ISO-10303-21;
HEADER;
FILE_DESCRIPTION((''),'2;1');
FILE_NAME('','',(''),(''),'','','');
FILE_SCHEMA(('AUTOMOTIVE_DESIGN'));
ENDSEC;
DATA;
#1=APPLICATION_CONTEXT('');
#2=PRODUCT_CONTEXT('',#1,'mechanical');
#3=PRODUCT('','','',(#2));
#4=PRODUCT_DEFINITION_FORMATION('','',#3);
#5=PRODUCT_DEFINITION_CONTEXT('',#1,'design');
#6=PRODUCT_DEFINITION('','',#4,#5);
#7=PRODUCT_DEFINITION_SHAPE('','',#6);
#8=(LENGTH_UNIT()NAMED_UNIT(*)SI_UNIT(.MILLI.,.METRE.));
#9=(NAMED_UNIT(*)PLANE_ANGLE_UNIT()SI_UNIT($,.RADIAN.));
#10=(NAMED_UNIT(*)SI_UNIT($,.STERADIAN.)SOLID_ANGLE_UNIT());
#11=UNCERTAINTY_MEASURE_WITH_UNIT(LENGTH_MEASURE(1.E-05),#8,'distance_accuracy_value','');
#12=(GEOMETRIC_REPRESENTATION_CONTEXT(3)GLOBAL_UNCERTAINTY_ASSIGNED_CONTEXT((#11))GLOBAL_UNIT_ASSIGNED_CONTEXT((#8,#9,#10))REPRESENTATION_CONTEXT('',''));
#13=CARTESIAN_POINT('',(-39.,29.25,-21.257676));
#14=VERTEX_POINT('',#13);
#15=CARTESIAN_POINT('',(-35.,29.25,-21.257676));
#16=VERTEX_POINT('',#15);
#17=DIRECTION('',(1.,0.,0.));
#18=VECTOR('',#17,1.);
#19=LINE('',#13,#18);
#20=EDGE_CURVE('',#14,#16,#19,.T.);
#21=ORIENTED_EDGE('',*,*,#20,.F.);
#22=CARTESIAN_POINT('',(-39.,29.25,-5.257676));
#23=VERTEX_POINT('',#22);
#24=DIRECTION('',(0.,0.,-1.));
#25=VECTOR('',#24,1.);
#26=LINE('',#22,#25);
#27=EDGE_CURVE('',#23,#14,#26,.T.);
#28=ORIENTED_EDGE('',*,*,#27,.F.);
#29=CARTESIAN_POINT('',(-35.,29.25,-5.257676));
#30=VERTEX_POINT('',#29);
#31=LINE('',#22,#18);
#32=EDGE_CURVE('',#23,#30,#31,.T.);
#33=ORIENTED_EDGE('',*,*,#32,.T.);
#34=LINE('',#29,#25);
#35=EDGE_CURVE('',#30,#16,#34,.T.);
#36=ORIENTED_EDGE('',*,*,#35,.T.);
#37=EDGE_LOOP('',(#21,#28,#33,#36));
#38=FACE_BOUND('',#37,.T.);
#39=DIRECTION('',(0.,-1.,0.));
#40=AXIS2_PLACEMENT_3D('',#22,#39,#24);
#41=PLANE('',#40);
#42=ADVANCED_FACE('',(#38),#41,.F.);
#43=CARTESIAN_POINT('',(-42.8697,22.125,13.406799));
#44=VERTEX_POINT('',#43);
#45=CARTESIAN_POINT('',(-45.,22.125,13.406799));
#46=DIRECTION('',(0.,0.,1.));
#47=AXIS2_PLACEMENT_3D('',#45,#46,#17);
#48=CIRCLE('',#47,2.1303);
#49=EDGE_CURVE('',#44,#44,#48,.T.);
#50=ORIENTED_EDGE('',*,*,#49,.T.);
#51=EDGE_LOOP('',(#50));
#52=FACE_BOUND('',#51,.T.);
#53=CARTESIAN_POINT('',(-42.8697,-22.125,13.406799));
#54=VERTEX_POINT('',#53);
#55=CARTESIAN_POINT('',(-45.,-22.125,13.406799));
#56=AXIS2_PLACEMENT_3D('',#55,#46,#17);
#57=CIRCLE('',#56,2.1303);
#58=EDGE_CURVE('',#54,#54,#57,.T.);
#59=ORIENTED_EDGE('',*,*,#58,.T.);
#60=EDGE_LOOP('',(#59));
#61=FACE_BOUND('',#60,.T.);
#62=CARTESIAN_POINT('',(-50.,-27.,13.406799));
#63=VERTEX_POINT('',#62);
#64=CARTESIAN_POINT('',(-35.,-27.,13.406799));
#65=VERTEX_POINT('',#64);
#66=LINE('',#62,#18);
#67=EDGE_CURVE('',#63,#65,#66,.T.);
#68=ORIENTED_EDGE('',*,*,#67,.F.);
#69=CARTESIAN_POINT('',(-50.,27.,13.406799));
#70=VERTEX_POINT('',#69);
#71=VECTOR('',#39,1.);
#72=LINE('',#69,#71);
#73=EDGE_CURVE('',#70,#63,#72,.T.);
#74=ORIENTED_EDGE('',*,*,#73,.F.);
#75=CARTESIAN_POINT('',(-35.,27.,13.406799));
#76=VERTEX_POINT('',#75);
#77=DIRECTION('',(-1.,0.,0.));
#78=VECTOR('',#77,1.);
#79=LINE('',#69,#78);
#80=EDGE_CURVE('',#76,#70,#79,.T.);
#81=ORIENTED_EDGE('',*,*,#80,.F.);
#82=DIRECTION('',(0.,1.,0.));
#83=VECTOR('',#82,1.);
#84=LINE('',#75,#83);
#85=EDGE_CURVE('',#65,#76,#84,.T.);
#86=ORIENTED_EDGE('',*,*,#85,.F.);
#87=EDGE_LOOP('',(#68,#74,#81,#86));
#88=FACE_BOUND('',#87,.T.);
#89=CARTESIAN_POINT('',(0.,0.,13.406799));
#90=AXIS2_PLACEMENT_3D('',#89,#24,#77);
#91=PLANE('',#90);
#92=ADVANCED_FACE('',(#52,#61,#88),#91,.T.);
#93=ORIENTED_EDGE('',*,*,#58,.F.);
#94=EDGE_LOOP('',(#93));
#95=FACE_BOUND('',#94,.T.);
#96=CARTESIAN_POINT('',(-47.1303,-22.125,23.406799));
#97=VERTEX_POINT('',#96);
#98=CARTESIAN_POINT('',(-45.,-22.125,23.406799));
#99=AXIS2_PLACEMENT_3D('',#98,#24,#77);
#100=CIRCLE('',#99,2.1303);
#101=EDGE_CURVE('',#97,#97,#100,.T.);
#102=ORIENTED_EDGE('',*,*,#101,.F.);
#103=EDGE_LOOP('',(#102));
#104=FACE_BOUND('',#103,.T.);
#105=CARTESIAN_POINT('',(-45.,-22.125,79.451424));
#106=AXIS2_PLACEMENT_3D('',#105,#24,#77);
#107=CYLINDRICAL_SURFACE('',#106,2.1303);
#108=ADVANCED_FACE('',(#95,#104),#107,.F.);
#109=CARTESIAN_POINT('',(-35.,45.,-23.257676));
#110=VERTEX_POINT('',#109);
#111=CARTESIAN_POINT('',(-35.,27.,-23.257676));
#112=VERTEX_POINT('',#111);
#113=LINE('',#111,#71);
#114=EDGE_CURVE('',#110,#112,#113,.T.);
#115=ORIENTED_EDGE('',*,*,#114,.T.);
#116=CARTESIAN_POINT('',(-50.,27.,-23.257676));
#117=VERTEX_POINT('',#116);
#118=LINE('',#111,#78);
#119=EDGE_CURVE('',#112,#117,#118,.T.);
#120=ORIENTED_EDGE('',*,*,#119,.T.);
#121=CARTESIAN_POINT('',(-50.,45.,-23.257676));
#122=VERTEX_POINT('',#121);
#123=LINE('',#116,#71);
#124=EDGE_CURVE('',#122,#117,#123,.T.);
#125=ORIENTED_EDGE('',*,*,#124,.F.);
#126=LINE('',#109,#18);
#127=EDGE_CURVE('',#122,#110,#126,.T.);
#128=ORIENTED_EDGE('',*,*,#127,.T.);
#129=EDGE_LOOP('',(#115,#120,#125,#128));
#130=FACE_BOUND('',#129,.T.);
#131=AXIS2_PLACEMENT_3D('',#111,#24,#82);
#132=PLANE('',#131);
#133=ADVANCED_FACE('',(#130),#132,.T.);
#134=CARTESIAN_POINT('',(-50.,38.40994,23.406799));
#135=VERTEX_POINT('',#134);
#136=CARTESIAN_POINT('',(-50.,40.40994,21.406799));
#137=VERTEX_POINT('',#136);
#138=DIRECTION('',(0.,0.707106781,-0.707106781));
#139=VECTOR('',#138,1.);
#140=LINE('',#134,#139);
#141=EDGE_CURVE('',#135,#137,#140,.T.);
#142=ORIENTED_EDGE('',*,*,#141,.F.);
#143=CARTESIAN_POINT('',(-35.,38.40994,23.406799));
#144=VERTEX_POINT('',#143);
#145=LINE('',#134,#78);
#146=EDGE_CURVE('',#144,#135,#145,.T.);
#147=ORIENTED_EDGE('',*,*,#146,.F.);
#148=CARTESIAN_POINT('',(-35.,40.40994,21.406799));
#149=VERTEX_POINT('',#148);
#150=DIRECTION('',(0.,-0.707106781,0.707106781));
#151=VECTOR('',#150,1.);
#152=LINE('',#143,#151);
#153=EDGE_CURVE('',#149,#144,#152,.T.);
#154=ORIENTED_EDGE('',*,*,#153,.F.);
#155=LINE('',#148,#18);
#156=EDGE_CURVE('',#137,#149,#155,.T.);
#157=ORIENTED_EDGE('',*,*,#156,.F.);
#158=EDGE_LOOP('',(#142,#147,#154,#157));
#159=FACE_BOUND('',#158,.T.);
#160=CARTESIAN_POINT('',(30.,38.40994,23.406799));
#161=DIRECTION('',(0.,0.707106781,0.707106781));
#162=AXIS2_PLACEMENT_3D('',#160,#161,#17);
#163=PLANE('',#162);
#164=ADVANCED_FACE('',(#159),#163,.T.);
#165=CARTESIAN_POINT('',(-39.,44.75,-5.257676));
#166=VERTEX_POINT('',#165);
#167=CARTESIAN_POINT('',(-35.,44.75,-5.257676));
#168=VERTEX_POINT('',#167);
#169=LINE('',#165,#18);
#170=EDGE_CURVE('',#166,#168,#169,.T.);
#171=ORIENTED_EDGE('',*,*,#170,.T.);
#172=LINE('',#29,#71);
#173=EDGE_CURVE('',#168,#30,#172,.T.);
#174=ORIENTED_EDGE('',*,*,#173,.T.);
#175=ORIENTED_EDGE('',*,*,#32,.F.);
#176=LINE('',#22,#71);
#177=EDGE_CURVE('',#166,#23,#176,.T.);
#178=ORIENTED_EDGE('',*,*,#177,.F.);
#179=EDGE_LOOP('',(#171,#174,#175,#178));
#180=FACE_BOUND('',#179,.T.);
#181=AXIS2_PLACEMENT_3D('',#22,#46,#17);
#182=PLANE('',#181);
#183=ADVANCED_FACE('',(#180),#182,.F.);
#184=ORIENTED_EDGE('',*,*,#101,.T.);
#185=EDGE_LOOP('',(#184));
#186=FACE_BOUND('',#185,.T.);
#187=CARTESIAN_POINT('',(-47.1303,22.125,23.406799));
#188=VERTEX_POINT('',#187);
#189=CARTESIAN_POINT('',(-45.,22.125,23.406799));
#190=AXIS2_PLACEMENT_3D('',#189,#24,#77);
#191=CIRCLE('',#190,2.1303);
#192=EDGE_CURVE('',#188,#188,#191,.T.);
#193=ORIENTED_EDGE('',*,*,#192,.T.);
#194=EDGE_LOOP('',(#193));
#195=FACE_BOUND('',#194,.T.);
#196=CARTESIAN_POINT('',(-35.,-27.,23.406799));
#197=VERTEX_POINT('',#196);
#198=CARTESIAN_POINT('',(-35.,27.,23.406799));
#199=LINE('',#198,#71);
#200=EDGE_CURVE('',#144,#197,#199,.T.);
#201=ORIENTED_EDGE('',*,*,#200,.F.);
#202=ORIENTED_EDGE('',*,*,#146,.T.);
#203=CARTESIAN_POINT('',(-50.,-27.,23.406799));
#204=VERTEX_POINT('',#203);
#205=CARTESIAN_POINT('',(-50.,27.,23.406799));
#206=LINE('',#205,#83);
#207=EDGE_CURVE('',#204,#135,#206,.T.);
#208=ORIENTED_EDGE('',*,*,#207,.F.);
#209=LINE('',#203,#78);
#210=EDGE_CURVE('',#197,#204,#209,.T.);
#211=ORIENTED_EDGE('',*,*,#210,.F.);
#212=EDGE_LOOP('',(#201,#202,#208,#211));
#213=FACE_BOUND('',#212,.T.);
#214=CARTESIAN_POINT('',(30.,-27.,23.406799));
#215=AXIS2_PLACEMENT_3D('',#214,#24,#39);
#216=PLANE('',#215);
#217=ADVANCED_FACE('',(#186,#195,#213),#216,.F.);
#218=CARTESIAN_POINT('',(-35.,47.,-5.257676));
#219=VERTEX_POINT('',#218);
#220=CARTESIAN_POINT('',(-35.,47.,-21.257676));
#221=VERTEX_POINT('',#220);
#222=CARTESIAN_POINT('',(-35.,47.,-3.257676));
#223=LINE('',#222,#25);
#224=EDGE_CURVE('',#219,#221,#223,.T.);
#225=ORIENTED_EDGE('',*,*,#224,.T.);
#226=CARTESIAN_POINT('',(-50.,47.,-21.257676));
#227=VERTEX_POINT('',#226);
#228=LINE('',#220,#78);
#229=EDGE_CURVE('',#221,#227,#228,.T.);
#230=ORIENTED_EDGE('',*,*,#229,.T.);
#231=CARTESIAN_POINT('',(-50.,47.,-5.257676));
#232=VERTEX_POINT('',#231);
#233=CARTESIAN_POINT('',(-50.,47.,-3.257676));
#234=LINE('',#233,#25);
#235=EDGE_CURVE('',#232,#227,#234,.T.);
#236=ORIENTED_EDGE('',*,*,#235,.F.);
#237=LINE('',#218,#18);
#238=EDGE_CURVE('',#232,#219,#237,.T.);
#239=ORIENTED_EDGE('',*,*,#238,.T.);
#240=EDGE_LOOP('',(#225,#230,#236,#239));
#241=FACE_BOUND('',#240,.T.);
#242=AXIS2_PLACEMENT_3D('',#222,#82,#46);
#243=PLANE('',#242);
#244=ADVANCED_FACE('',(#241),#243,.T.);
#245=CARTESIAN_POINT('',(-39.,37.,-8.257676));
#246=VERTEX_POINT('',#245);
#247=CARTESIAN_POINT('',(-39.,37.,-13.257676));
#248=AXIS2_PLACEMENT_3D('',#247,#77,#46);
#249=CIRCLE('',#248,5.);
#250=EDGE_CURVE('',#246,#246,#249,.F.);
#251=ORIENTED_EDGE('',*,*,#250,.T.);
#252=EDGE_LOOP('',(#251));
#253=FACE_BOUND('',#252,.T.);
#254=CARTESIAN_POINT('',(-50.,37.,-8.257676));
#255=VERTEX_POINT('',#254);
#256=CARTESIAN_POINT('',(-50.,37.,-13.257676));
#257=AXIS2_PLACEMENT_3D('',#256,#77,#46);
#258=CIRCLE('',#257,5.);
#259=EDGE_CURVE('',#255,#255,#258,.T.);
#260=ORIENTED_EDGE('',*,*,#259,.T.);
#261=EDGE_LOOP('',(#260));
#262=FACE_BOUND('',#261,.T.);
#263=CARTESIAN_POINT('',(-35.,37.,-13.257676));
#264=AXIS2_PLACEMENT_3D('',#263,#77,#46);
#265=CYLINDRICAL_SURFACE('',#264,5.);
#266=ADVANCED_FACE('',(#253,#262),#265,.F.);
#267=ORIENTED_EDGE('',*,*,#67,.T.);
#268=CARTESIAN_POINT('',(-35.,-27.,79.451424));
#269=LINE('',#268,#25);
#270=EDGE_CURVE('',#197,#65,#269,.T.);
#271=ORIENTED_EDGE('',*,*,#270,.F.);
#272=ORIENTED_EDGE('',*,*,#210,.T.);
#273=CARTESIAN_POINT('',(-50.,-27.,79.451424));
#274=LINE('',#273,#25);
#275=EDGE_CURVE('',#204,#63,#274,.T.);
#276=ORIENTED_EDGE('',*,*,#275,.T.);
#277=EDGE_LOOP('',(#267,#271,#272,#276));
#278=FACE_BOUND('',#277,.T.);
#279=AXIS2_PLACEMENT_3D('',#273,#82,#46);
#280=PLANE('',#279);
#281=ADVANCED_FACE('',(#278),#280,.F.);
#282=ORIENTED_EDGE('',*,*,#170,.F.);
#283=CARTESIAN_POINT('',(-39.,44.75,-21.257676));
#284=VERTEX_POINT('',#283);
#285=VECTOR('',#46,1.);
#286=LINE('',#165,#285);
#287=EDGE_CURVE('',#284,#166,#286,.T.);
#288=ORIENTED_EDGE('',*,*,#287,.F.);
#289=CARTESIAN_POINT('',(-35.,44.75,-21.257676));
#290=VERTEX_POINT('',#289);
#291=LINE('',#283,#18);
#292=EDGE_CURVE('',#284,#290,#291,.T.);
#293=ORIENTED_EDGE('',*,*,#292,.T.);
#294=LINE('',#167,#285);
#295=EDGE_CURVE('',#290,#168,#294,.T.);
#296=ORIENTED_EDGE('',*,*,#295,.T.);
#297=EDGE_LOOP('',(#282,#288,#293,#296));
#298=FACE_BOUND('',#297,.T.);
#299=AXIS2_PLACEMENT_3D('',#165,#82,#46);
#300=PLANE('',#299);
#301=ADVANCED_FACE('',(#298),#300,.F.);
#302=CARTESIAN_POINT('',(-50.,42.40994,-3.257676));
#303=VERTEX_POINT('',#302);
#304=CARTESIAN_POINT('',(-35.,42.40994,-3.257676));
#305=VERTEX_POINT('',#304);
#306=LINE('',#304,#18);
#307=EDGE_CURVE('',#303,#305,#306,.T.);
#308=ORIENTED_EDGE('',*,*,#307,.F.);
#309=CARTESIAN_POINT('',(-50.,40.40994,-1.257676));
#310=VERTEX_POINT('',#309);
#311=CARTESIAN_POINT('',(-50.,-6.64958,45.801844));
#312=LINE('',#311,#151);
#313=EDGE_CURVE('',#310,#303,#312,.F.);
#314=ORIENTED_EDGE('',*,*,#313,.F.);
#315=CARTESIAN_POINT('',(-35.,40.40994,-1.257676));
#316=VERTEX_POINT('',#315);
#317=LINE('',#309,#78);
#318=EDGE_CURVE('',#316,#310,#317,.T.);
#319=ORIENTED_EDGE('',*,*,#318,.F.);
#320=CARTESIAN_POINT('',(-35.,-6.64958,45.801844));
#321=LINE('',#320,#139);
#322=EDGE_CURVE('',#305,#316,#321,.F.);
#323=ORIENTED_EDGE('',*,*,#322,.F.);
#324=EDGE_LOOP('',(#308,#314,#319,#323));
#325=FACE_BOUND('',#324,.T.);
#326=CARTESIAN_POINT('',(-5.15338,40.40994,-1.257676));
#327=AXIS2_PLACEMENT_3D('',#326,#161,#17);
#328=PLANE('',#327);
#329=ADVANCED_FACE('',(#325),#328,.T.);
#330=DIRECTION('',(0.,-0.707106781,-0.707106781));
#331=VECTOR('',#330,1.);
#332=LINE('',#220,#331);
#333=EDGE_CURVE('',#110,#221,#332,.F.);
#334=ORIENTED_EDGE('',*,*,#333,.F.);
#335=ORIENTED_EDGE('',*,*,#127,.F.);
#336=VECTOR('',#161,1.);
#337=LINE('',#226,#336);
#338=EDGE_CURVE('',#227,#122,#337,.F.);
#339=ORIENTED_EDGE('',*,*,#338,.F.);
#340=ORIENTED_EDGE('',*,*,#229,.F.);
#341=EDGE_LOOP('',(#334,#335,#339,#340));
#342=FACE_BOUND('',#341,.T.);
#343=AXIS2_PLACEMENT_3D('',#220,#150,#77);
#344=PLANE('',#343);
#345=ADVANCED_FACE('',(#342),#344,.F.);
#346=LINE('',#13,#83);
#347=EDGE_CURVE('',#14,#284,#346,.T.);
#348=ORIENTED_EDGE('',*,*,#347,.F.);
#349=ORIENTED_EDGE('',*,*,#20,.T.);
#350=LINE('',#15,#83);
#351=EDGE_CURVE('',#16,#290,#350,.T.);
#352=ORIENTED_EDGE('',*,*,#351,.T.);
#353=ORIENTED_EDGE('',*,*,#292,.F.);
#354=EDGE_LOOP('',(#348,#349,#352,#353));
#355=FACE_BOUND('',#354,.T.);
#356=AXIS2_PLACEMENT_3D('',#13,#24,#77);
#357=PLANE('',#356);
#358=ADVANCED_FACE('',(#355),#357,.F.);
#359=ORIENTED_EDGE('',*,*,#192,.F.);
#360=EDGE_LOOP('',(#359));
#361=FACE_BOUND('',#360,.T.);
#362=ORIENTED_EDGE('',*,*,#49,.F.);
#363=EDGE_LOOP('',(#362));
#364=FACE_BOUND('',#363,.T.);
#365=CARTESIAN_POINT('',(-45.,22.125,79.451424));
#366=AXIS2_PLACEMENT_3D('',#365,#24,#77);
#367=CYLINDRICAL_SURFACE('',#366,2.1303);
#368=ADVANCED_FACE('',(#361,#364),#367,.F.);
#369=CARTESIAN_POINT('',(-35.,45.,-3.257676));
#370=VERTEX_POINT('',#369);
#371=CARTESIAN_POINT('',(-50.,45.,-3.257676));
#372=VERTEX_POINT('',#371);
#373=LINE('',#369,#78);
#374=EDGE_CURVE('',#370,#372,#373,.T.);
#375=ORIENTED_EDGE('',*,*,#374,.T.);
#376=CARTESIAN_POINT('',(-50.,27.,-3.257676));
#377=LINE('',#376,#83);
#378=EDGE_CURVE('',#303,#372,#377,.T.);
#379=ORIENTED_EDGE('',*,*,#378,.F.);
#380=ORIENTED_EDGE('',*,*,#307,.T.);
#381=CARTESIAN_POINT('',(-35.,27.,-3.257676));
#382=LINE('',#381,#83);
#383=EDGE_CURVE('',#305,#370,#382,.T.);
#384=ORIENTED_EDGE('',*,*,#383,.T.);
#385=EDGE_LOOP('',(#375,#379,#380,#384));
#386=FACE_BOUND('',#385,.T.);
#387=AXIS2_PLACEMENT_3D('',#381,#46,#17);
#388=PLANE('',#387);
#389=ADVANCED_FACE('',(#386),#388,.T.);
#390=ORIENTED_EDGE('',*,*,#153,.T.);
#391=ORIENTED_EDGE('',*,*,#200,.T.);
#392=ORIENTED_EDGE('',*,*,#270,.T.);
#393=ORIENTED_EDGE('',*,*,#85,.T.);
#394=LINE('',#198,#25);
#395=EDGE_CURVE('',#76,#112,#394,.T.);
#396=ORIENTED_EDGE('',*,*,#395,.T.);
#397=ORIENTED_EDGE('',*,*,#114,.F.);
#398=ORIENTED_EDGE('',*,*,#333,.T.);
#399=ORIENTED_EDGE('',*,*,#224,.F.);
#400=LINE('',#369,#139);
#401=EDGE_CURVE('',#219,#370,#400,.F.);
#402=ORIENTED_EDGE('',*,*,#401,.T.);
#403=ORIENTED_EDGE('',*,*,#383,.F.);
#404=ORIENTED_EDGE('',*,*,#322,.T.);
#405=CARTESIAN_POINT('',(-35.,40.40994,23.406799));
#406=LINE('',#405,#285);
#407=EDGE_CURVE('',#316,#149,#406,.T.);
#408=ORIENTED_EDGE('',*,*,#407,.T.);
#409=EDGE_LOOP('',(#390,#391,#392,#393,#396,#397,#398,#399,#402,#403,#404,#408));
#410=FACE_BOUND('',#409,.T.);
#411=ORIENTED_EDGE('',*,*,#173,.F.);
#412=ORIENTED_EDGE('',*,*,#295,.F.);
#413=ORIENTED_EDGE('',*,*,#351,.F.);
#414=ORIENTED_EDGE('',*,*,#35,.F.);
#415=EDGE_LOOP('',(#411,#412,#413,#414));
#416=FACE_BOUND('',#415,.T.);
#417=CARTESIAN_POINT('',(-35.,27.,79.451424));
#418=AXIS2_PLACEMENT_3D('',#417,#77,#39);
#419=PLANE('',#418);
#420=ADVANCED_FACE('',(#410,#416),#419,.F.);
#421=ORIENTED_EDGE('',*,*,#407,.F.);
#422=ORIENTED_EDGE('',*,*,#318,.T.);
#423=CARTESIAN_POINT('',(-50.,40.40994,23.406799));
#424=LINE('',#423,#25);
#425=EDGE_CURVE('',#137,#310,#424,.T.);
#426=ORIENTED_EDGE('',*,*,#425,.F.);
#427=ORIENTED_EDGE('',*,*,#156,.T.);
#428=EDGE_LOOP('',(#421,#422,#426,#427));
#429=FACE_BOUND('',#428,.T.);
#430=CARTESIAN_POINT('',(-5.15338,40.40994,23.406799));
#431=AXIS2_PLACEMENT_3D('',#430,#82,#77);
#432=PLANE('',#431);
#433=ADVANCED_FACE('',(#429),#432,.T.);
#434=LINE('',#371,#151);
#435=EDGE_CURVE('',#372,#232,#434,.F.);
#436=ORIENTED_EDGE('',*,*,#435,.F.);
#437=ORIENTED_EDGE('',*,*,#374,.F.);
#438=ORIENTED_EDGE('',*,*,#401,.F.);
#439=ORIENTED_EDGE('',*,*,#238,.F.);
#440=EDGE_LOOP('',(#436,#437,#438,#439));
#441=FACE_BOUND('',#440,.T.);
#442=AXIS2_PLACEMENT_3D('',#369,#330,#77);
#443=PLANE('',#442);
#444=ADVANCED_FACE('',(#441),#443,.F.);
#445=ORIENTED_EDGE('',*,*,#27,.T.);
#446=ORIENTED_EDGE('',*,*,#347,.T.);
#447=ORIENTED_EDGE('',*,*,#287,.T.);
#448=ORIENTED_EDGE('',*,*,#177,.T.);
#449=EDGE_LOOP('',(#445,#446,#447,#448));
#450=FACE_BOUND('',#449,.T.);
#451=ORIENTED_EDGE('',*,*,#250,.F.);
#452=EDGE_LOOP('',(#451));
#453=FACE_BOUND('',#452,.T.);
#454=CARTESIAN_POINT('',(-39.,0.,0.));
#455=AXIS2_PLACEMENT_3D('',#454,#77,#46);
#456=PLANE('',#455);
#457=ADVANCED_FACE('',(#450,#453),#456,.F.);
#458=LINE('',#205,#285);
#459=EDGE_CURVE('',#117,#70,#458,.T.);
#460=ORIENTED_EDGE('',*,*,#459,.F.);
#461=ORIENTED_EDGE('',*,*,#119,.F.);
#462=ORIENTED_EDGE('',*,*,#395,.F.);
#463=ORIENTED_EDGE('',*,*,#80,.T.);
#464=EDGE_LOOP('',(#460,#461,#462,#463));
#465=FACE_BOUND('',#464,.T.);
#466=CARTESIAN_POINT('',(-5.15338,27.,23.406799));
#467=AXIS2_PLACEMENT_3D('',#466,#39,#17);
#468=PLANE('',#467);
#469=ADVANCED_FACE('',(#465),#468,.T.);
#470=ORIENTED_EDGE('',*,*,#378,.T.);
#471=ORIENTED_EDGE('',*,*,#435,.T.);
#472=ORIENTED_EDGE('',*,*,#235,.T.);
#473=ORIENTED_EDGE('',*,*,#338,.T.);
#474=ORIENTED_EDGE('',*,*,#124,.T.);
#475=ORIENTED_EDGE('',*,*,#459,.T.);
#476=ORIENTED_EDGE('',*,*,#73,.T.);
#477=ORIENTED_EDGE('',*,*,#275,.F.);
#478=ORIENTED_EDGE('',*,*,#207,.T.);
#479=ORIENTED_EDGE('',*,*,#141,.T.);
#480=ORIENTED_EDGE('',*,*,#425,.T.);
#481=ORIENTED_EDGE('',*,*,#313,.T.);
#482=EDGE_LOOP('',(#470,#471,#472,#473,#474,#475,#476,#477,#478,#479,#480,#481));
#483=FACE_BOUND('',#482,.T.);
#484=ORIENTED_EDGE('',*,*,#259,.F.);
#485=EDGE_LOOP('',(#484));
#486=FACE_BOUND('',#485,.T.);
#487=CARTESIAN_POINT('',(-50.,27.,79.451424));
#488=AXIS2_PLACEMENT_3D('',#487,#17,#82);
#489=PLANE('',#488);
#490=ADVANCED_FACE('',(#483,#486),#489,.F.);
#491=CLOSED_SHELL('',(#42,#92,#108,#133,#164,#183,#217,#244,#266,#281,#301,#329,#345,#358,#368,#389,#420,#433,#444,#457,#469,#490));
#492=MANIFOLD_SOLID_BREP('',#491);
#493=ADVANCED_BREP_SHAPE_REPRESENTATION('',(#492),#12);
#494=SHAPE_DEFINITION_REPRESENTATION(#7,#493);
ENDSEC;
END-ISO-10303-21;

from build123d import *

# Parameters (mm, degrees)
SKETCH1_W           = 15
SKETCH1_H           = 54
SKETCH1_R           = 2.1303
BOSS_EXTRUDE1_DEPTH = 10
SKETCH2_W           = 20
SKETCH2_H           = 20
SKETCH2_R           = 5
BOSS_EXTRUDE2_DEPTH = 15
SKETCH5_W           = 26.664475469
SKETCH5_H           = 13.40994033
BOSS_EXTRUDE3_DEPTH = 15
SKETCH3_W           = 16
SKETCH3_H           = 15.5
CUT_EXTRUDE2_DEPTH  = 4
CHAMFER1_SIZE       = 2
CHAMFER2_SIZE       = 2


with BuildPart() as part:
    # Sketch1 → Boss-Extrude1 (new body)
    with BuildSketch(Plane.XY.offset(13.406799166)):
        with Locations((-42.5, 0)):
            Rectangle(SKETCH1_W, SKETCH1_H)
        with Locations((-45, -22.125)):
            Circle(SKETCH1_R, mode=Mode.SUBTRACT)
        with Locations((-45, 22.125)):
            Circle(SKETCH1_R, mode=Mode.SUBTRACT)
    extrude(amount=BOSS_EXTRUDE1_DEPTH)



with BuildPart() as body_2:
    # Sketch2 → Boss-Extrude2 (new body)
    with BuildSketch(Plane.ZY.offset(50)):
        with Locations((-13.257676303, 37)):
            Rectangle(SKETCH2_W, SKETCH2_H)
        with Locations((-13.257676303, 37)):
            Circle(SKETCH2_R, mode=Mode.SUBTRACT)
    extrude(amount=-BOSS_EXTRUDE2_DEPTH)


with BuildPart() as part_1:
    add(part.part)

    add(body_2.part)  # Boss-Extrude3 merges body 2
    # Sketch5 → Boss-Extrude3 (add)
    with BuildSketch(Plane.ZY.offset(50)):
        with Locations((10.074561432, 33.704970165)):
            Rectangle(SKETCH5_W, SKETCH5_H)
    extrude(amount=-BOSS_EXTRUDE3_DEPTH)

    # Sketch3 → Cut-Extrude2 (cut)
    with BuildSketch(Plane(origin=(-35, 0, 0), x_dir=(0, 0, -1), z_dir=(1, 0, 0))):
        with Locations((13.257676303, 37)):
            Rectangle(SKETCH3_W, SKETCH3_H)
    extrude(amount=-CUT_EXTRUDE2_DEPTH, mode=Mode.SUBTRACT)

    # Chamfer1
    chamfer1_edges = [part_1.edges().sort_by_distance(p)[0] for p in [
        (-42.5, 47, -3.257676303),
        (-42.5, 47, -23.257676303),
    ]]
    chamfer(chamfer1_edges, length=CHAMFER1_SIZE)

    # Chamfer2
    chamfer2_edges = [part_1.edges().sort_by_distance(p)[0] for p in [
        (-42.5, 40.40994033, -3.257676303),
        (-42.5, 40.40994033, 23.406799166),
    ]]
    chamfer(chamfer2_edges, length=CHAMFER2_SIZE)


solid = part_1.part
